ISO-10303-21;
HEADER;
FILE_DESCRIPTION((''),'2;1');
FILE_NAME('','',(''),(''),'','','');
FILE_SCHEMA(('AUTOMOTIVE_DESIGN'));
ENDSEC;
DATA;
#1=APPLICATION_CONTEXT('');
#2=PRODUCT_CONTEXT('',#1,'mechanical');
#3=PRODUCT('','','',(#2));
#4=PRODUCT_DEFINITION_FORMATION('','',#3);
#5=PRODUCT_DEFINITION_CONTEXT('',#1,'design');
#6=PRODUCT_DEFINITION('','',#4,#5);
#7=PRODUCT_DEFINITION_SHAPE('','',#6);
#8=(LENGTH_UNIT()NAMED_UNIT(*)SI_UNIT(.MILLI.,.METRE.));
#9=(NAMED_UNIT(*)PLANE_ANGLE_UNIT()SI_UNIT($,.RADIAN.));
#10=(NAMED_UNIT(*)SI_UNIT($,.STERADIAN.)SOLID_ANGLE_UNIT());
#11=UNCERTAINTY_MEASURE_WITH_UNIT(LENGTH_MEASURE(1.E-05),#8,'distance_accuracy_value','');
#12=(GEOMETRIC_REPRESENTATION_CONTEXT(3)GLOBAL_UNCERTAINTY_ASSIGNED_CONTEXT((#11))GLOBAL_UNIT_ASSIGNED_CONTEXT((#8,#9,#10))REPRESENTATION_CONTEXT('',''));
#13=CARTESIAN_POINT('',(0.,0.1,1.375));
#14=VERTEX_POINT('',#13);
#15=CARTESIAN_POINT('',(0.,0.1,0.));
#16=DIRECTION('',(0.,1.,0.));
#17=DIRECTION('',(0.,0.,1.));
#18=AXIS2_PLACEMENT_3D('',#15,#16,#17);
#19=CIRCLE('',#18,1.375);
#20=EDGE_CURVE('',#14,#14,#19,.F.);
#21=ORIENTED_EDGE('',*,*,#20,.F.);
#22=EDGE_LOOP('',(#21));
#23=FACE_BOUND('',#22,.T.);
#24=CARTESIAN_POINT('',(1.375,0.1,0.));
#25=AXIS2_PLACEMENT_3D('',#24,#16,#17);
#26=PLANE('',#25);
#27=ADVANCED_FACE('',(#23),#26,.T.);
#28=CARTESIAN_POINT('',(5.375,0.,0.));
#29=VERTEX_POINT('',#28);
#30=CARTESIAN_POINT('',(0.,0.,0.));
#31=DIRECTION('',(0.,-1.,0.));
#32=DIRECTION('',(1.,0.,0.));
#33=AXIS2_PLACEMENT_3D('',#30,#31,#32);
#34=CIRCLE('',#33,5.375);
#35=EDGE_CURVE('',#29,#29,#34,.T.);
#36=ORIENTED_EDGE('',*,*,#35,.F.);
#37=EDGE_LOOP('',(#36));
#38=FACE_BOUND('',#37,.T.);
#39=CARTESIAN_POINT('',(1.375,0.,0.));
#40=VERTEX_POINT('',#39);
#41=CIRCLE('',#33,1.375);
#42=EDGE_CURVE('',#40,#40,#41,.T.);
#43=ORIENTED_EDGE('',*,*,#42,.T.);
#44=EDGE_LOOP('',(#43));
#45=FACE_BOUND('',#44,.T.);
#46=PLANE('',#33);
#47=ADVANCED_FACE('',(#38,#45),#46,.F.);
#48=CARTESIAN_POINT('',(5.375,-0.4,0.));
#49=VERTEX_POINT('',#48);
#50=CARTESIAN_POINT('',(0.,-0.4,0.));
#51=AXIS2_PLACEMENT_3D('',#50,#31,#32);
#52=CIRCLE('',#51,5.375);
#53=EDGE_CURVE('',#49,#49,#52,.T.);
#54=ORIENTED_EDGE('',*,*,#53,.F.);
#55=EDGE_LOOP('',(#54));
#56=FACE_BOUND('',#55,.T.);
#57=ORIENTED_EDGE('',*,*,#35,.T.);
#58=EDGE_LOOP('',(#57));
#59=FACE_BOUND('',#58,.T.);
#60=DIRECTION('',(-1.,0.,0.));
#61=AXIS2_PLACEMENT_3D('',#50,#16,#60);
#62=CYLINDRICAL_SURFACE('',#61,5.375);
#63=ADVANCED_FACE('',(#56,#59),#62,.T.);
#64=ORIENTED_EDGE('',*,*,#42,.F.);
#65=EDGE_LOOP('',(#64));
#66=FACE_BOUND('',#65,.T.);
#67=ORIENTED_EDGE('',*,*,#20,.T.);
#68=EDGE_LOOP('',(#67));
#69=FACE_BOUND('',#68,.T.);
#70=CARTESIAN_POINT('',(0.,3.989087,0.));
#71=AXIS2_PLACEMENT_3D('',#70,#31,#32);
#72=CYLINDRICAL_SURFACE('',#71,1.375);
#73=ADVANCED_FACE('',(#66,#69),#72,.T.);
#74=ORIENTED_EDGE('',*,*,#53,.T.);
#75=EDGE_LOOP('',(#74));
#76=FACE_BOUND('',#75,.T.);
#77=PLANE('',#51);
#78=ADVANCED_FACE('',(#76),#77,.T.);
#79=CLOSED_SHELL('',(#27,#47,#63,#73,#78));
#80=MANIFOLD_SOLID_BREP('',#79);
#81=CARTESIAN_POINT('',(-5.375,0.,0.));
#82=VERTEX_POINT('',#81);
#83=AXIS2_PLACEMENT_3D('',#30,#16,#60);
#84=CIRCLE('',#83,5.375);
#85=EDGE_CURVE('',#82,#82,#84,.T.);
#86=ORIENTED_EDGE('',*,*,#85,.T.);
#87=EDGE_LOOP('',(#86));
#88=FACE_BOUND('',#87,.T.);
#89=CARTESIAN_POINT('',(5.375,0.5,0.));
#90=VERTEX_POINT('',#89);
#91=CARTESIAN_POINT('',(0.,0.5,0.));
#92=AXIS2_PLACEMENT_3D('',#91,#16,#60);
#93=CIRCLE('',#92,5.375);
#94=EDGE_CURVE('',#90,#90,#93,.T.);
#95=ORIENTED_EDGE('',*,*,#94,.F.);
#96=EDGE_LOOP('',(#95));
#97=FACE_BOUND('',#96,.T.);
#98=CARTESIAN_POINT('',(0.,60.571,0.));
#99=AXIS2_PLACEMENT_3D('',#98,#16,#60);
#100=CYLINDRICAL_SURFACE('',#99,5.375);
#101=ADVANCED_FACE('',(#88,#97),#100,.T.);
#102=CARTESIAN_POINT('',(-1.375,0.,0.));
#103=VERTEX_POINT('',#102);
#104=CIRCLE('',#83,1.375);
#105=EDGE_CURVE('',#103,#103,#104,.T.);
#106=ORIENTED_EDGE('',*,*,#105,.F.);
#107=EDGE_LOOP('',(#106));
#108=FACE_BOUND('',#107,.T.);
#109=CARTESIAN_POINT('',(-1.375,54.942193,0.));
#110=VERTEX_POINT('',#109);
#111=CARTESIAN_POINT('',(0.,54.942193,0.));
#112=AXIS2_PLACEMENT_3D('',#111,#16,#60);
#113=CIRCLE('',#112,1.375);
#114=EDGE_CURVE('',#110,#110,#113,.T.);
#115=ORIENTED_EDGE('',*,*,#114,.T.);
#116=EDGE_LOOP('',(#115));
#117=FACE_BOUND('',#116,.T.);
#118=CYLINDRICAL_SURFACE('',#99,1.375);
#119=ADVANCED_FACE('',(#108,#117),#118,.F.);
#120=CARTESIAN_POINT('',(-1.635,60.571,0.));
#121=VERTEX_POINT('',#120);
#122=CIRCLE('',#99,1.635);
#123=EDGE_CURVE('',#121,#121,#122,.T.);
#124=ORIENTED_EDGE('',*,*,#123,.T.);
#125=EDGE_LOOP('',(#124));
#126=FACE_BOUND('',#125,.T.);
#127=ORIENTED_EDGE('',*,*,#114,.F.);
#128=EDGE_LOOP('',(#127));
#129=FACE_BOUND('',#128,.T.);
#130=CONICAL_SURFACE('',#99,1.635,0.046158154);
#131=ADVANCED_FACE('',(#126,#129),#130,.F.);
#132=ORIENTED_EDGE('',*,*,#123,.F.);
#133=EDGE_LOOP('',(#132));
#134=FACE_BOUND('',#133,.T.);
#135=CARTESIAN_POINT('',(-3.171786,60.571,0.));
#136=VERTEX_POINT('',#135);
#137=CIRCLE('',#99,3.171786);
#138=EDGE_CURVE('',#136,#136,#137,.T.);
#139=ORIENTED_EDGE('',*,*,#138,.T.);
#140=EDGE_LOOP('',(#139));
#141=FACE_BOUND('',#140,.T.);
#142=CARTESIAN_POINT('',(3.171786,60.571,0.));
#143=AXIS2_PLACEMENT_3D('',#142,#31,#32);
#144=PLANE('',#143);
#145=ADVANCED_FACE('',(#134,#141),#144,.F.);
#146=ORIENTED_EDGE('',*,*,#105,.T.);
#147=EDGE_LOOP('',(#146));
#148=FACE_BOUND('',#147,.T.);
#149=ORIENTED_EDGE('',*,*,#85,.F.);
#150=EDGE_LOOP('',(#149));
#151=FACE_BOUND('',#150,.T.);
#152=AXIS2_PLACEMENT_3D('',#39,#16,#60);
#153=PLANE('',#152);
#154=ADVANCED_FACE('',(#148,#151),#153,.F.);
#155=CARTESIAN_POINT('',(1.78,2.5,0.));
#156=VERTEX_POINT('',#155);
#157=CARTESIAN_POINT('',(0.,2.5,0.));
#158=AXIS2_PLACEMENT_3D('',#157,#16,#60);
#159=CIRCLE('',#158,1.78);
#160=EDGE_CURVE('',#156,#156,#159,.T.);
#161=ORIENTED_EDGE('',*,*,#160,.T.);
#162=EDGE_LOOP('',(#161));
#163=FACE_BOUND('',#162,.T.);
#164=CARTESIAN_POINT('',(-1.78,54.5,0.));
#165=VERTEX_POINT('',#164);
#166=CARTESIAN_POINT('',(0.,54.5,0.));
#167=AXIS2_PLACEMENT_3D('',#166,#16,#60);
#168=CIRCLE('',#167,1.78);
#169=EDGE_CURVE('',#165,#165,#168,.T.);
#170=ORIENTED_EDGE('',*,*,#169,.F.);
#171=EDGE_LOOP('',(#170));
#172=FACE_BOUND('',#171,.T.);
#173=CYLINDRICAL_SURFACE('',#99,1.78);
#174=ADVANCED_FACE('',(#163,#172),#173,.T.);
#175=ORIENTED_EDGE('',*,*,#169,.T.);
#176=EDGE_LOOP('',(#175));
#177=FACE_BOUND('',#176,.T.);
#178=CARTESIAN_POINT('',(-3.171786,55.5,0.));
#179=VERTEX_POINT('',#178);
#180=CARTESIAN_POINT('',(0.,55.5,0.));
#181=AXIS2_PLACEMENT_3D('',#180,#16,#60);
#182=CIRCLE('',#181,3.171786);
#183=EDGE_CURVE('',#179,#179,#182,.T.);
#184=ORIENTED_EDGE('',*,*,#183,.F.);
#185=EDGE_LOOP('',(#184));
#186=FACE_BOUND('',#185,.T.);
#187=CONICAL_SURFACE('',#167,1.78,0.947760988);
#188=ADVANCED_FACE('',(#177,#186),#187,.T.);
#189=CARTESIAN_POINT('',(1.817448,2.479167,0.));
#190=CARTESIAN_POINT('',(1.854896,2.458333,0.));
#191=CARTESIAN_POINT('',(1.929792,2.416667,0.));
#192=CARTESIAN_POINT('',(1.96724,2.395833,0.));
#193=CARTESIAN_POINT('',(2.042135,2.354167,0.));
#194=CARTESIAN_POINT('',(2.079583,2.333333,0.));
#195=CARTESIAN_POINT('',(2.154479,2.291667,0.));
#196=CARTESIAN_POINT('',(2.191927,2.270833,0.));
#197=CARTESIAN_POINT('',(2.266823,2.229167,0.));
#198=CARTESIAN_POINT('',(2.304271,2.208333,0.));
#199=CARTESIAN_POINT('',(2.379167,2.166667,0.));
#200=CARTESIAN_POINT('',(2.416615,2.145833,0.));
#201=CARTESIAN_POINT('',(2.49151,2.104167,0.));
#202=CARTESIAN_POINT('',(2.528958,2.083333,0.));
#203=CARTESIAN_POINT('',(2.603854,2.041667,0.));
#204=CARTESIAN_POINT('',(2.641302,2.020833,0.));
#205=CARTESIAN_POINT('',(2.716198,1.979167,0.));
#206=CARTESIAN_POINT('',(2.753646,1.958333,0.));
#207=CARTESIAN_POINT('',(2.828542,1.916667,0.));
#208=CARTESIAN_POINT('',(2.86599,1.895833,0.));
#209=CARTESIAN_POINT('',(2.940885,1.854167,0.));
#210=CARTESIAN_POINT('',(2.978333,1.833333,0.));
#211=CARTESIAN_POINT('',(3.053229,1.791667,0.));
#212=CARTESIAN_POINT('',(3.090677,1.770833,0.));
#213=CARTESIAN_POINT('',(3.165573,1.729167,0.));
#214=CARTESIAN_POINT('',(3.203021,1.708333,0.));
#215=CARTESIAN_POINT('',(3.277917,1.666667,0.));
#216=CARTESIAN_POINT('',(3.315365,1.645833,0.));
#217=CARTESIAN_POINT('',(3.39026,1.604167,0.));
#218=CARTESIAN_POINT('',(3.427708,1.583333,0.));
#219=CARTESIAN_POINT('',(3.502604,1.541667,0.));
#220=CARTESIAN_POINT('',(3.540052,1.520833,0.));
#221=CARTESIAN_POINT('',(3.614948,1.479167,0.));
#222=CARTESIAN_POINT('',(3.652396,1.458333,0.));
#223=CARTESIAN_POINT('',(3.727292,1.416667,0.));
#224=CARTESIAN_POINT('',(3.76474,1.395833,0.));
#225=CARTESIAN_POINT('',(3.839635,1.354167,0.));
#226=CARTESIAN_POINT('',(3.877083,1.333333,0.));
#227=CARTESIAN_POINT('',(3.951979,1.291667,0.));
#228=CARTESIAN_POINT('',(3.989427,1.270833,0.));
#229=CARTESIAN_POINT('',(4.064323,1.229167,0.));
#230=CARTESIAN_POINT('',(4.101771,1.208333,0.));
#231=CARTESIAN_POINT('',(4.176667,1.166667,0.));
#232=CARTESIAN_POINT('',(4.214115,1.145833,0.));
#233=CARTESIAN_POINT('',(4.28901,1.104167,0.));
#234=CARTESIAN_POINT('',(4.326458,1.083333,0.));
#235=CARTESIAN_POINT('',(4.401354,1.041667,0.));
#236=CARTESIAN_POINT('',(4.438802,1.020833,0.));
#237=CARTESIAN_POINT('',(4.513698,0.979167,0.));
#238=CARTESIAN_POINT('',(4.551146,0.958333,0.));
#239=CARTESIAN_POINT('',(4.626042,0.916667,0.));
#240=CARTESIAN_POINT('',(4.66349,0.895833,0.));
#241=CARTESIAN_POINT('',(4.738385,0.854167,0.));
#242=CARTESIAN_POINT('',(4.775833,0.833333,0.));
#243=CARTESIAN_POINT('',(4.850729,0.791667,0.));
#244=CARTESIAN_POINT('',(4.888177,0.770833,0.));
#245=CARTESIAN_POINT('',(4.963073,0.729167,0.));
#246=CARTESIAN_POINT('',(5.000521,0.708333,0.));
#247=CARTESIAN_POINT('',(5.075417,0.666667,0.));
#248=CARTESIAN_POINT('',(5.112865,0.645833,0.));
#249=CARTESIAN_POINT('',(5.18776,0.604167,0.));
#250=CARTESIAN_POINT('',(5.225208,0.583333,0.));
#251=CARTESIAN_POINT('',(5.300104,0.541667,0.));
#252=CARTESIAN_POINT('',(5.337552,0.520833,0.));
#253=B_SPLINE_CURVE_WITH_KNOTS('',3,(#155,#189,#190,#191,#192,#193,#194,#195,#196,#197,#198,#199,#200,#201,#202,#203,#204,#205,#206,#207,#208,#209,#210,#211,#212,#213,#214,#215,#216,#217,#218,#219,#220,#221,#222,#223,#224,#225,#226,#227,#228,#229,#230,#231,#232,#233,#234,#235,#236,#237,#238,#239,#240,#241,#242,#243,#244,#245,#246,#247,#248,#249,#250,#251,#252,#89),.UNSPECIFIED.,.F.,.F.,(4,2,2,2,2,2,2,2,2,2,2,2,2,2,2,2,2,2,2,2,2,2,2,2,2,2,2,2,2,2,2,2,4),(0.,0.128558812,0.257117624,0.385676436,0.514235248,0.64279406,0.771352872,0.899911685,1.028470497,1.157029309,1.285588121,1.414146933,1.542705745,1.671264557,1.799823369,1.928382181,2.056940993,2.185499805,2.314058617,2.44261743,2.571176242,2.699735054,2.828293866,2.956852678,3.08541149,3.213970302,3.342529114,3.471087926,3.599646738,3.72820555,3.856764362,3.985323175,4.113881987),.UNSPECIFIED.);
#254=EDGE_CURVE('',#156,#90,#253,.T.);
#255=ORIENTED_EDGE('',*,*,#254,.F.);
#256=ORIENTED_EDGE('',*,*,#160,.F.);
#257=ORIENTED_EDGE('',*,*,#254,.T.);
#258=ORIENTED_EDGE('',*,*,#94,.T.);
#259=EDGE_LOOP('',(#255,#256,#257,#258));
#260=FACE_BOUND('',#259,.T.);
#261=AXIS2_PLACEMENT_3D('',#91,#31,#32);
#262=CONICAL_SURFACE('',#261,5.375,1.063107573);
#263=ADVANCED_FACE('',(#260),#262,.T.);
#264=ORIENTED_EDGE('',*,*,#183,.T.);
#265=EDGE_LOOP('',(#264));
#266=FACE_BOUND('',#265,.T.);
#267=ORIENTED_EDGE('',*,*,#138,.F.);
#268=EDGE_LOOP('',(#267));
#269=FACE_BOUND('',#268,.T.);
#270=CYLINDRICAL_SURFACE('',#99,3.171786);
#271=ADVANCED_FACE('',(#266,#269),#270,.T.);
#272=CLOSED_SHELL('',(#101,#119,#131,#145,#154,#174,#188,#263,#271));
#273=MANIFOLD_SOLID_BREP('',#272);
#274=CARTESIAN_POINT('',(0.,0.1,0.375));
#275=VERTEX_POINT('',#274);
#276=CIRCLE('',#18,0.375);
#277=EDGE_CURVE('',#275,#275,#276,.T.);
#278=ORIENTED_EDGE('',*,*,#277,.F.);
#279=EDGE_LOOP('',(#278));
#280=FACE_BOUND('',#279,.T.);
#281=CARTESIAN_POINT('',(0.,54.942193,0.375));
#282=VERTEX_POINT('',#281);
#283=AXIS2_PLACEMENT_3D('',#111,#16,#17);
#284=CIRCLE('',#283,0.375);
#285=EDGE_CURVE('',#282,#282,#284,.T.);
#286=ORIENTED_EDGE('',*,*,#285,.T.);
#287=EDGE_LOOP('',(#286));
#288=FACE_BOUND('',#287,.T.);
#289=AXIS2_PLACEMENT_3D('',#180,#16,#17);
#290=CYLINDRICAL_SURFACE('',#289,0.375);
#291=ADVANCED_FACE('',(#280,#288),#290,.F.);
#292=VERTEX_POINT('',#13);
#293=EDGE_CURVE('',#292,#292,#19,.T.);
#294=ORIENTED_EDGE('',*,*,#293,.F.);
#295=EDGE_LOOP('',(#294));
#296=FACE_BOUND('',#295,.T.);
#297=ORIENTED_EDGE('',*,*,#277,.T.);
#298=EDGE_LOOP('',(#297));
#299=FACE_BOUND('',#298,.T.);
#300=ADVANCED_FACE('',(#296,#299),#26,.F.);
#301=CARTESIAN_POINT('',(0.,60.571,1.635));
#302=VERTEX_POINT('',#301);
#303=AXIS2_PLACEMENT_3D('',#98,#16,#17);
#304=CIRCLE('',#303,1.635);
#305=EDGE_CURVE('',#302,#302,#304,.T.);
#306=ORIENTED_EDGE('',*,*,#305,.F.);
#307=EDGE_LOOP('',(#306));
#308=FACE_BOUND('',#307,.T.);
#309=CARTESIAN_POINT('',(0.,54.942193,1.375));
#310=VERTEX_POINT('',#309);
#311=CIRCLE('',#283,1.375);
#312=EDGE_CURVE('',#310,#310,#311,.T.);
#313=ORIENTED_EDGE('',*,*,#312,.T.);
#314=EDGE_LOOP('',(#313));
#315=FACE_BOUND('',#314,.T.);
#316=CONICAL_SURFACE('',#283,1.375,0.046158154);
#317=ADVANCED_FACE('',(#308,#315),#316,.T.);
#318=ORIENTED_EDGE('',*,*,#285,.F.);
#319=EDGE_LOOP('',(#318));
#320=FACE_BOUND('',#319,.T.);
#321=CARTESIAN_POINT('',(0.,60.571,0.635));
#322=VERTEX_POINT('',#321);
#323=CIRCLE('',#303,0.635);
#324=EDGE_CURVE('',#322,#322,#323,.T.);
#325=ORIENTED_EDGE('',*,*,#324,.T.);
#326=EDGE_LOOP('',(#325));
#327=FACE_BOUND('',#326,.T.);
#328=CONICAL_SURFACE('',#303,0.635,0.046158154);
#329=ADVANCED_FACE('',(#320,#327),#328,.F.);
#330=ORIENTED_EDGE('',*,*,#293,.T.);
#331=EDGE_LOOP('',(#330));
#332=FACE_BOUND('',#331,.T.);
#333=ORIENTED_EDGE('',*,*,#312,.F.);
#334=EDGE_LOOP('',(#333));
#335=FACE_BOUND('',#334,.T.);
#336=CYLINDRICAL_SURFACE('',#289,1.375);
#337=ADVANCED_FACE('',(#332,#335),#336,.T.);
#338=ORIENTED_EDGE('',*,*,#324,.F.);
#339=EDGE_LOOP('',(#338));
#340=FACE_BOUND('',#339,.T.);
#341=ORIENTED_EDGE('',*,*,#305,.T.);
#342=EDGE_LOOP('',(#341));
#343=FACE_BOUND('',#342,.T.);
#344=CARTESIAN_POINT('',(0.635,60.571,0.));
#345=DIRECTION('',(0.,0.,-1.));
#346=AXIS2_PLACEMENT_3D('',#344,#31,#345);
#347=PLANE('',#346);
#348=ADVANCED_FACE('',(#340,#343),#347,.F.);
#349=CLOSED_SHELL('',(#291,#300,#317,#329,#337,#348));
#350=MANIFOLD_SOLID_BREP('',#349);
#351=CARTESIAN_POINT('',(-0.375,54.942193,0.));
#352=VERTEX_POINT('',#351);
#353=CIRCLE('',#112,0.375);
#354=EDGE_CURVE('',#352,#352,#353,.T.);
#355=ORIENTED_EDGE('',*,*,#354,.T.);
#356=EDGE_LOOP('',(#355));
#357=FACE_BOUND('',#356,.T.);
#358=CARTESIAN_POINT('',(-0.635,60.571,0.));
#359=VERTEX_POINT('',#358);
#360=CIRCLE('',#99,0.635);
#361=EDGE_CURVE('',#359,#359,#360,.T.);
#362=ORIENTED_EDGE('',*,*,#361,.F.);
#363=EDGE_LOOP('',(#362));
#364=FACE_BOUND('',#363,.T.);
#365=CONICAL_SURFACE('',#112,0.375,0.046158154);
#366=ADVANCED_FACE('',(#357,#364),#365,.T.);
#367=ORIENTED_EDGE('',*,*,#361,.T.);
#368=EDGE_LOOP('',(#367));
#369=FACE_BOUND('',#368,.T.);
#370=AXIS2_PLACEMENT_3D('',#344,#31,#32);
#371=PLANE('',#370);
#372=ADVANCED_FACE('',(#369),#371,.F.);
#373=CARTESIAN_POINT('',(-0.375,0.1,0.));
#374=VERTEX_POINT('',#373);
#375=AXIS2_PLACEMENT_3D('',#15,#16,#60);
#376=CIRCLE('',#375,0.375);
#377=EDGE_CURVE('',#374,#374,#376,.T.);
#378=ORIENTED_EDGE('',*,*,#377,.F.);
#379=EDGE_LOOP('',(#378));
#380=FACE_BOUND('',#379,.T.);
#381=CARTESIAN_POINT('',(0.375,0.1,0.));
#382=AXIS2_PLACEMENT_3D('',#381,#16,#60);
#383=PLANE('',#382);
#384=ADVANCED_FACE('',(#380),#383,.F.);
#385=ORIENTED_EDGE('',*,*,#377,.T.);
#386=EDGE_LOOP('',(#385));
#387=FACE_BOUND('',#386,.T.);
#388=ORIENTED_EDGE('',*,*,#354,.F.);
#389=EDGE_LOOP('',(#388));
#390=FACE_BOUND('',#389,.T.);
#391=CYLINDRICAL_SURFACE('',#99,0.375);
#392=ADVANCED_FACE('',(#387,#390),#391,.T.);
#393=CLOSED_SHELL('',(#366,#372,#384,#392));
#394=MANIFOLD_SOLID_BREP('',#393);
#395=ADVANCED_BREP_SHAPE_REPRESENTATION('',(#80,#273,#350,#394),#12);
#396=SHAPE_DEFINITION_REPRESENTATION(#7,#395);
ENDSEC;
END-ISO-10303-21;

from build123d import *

# Parameters (mm, degrees)
CROQUIS4_R              = 1.375
SALIENTE_EXTRUIR1_DEPTH = 0.1
CROQUIS5_R              = 5.375
SALIENTE_EXTRUIR2_DEPTH = 0.4


with BuildPart() as part:
    # Croquis1 → Revolución1 (revolve)
    with BuildSketch(Plane.XY, mode=Mode.PRIVATE) as revoluci_n1_sk:
        Polygon((5.375, 0), (5.375, 0.5), (1.78, 2.5), (1.78, 54.5), (3.171785891, 55.5), (3.171785891, 60.571), (1.635, 60.571), (1.375, 54.942193309), (1.375, 0), align=None)
        Polygon((0.375, 0.1), (0.375, 54.942193309), (0.635, 60.571), (0.442390715, 60.571), (0, 60.571), (0, 0.1), align=None)
    revolve(revoluci_n1_sk.sketch.rotate(Axis((0, 60.571, 0), (0, -1, 0)), 180), axis=Axis((0, 60.571, 0), (0, -1, 0)))


with BuildPart() as body_2:
    # Croquis3 → Revolución2 (revolve)
    with BuildSketch(Plane.XY, mode=Mode.PRIVATE) as revoluci_n2_sk:
        Polygon((0.375, 54.942193309), (0.635, 60.571), (1.635, 60.571), (1.375, 54.942193309), (1.375, 0.1), (0.375, 0.1), align=None)
    revolve(revoluci_n2_sk.sketch.rotate(Axis((0, 55.5, 0), (0, -1, 0)), 90), axis=Axis((0, 55.5, 0), (0, -1, 0)))


with BuildPart() as body_3:
    # Croquis4 → Saliente-Extruir1 (new body)
    with BuildSketch(Plane.XZ):
        Circle(CROQUIS4_R)
    extrude(amount=-SALIENTE_EXTRUIR1_DEPTH)

    # Croquis5 → Saliente-Extruir2 (add)
    with BuildSketch(Plane.XZ):
        Circle(CROQUIS5_R)
    extrude(amount=SALIENTE_EXTRUIR2_DEPTH)


solid = Compound([part.part, body_2.part, body_3.part])
